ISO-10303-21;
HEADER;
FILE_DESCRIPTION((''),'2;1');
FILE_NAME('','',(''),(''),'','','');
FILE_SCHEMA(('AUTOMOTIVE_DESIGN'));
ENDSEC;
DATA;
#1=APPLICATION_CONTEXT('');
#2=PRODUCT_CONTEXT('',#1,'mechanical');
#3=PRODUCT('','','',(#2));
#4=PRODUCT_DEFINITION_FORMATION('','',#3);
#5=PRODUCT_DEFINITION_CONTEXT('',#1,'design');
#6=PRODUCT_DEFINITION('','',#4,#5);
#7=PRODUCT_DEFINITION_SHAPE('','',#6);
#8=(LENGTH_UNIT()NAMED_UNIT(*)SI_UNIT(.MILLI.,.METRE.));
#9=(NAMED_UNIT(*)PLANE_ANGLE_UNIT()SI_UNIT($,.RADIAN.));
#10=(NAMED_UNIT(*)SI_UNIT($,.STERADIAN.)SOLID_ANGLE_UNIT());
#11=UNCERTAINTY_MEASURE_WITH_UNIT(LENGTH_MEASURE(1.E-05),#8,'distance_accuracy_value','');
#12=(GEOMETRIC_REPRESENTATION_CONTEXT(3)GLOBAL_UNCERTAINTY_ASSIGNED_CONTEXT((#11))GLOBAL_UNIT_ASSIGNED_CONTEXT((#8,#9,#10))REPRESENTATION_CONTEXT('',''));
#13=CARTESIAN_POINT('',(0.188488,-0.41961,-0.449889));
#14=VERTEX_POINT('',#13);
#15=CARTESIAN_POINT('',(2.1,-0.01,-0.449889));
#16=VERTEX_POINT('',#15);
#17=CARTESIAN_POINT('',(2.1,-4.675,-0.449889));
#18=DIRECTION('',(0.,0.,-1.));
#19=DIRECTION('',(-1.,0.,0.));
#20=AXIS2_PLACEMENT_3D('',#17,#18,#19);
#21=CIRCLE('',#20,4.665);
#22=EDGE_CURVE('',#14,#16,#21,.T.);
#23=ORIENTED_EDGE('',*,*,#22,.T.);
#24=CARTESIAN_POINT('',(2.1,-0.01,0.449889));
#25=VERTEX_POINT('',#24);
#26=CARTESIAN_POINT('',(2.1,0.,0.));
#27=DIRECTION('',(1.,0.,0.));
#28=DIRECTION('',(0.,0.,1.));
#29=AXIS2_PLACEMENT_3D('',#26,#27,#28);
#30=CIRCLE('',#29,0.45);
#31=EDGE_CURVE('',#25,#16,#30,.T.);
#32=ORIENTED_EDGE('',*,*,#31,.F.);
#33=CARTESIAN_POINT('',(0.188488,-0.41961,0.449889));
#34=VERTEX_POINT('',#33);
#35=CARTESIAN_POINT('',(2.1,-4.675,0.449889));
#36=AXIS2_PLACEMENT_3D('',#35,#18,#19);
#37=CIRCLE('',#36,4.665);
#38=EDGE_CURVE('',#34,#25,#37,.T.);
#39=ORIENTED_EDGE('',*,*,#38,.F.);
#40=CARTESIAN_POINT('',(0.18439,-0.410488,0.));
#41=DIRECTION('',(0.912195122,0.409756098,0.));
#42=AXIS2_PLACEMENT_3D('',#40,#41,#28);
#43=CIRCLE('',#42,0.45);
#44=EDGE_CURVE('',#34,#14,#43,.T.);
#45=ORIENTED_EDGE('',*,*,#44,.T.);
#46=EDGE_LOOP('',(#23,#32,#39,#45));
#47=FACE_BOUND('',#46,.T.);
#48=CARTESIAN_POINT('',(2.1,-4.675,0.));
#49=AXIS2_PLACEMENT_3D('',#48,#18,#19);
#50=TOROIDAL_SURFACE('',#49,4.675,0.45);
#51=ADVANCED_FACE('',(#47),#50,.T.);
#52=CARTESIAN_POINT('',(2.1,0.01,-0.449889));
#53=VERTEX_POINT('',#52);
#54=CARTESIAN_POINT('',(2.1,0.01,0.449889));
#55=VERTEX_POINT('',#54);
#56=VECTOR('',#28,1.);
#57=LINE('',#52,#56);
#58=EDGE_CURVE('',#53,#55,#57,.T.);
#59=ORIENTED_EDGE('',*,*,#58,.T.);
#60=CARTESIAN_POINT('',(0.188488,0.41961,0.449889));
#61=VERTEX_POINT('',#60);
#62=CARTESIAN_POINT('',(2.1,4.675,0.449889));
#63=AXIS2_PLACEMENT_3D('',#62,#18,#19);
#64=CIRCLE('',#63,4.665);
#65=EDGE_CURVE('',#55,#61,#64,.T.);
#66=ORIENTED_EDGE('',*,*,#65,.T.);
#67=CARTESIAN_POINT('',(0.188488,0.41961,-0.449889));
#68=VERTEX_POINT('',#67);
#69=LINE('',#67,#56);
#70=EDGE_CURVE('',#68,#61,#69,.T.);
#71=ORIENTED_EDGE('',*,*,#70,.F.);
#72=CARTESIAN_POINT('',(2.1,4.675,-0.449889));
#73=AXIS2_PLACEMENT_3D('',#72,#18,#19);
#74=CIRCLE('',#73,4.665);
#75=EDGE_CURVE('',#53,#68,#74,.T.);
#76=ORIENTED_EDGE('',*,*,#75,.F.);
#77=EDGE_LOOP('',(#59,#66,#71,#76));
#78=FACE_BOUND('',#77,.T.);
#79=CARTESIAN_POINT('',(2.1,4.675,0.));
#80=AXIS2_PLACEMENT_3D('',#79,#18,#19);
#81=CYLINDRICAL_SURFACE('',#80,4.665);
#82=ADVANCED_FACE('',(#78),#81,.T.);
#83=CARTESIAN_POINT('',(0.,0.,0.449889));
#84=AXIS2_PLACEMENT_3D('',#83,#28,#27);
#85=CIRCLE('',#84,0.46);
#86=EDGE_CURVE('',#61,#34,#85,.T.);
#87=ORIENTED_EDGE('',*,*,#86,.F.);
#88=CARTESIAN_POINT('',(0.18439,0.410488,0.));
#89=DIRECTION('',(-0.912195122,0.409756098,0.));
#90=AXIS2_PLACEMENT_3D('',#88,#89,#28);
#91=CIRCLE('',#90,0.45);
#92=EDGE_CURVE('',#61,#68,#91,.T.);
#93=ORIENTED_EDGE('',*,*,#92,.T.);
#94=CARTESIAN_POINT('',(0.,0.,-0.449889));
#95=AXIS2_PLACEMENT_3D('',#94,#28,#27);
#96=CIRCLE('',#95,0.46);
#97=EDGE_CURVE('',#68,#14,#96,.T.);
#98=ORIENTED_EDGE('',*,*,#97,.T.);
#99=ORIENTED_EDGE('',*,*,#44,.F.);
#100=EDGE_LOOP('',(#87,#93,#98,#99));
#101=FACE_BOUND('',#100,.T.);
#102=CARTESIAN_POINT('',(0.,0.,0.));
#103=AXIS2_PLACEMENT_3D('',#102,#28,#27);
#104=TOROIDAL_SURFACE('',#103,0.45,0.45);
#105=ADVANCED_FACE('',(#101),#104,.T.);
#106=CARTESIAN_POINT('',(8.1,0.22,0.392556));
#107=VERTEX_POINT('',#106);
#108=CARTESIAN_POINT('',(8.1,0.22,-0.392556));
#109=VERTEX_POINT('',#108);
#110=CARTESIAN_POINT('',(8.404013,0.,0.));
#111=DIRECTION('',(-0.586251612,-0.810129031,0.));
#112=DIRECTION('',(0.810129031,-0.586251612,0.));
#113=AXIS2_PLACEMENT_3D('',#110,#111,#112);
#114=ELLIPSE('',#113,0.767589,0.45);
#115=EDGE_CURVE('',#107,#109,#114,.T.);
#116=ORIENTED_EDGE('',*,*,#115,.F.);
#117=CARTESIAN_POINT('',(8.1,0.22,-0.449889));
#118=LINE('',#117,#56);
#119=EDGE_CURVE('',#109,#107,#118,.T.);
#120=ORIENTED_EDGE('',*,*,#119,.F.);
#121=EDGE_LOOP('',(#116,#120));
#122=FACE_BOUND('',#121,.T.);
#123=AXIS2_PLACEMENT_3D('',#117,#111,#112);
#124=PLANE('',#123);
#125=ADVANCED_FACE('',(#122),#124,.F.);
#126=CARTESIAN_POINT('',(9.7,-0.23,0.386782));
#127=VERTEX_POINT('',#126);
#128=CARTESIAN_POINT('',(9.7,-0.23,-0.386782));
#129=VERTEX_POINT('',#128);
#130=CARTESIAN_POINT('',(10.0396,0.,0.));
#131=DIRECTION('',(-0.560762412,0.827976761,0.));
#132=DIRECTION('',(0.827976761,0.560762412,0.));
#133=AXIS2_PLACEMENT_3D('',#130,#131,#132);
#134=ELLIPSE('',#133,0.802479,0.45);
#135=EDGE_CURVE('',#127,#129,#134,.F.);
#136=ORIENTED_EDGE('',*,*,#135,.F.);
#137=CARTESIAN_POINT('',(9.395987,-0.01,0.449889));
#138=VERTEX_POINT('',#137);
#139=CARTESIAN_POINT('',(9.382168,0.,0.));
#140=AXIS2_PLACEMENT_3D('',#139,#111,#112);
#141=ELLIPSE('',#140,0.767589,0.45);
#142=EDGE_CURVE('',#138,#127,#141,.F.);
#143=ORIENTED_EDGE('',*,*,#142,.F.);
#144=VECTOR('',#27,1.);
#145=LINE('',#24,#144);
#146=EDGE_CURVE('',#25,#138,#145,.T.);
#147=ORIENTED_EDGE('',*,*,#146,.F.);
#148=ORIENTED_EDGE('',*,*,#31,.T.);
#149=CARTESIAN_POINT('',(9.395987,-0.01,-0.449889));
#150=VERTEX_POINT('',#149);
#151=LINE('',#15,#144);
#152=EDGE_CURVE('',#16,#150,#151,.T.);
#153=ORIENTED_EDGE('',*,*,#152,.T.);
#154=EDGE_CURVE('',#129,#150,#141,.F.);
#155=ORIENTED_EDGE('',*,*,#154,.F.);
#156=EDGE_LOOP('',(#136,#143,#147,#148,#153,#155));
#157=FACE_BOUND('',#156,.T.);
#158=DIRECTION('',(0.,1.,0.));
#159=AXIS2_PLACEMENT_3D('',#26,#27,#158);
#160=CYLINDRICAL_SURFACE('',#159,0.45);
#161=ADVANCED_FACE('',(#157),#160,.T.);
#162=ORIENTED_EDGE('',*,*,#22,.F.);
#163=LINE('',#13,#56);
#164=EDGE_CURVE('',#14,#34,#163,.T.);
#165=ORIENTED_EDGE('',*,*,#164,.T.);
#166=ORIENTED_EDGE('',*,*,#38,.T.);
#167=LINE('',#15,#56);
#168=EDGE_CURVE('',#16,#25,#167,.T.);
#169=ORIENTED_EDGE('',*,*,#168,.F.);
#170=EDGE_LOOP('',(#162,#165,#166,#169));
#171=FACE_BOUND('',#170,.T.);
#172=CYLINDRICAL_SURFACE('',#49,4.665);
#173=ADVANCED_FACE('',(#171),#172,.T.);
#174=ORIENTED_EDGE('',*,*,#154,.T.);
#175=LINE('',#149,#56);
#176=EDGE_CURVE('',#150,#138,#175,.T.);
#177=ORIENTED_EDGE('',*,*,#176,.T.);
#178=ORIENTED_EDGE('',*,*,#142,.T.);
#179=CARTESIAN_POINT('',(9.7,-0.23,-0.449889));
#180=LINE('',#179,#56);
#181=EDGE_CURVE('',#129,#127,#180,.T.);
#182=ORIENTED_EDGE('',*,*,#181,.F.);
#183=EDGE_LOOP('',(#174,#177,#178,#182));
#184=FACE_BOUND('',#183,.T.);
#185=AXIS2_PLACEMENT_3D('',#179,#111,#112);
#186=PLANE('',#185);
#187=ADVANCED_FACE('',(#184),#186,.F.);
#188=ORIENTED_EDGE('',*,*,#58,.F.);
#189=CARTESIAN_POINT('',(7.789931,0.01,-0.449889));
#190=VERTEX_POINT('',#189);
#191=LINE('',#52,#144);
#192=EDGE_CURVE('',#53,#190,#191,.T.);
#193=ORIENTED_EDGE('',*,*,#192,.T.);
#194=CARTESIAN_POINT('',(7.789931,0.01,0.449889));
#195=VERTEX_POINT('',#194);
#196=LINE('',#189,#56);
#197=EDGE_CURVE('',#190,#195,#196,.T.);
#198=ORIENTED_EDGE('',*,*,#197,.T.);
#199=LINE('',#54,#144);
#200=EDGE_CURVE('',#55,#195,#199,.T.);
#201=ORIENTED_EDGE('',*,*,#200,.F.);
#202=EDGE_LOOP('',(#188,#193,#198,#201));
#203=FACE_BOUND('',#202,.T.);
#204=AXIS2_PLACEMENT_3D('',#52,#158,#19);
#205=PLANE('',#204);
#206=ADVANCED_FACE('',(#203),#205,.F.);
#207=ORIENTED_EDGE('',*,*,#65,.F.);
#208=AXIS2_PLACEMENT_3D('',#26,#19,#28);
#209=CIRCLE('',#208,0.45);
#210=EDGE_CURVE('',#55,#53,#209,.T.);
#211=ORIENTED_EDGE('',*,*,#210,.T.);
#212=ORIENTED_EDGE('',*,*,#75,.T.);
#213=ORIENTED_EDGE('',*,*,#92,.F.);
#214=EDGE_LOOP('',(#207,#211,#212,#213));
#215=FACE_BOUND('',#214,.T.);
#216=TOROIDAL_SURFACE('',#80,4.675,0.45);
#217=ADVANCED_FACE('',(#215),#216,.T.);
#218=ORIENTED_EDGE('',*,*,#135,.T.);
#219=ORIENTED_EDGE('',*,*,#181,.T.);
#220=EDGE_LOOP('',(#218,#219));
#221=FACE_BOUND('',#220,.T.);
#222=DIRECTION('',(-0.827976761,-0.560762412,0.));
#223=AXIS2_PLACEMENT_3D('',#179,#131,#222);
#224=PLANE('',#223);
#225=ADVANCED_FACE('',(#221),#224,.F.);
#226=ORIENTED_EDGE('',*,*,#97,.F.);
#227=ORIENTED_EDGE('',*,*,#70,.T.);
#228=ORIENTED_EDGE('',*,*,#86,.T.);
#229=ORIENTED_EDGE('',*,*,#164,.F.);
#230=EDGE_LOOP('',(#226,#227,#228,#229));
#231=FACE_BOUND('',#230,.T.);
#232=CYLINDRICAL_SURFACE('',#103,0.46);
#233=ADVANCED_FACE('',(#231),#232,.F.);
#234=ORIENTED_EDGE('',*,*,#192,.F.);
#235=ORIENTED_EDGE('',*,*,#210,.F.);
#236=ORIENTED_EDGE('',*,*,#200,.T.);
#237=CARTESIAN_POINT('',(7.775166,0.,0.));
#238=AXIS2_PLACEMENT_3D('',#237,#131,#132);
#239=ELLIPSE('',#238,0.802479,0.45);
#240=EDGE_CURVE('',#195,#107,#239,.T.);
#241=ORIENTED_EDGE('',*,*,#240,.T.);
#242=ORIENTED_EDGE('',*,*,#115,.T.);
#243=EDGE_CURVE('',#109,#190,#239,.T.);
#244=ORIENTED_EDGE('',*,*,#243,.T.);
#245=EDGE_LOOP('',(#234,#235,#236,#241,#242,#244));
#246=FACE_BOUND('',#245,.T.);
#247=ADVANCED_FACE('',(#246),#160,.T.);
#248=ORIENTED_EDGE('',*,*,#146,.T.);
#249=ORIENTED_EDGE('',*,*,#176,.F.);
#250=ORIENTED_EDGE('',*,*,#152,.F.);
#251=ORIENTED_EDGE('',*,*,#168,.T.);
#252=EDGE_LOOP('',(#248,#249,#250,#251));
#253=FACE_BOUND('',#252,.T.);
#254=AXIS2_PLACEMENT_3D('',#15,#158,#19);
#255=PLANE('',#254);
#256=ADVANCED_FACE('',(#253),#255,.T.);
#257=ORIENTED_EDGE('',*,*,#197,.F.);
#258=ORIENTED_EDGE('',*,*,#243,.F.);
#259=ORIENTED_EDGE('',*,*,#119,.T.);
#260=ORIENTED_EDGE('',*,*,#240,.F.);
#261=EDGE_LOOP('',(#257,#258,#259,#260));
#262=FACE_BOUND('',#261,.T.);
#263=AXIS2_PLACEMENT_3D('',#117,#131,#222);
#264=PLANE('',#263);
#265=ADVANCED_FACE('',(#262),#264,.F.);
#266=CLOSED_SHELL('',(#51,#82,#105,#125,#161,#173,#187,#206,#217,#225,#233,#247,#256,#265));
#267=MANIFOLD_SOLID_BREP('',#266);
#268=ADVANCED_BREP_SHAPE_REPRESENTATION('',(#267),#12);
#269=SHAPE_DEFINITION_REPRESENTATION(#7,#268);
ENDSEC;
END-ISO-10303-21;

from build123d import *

# Parameters (mm, degrees)
CUT_EXTRUDE_1_DEPTH      = 10.752045953
CUT_EXTRUDE_1_DEPTH_BACK = 10.752045953


with BuildPart() as part:
    # 扫描2: sweep along a path in Sketch 200
    with BuildLine(Plane.XY) as sweep_2_path:
        Line((8.1, 0.45), (2.1, 0.45))
        ThreePointArc((2.1, 0.45), (1.2147396, 0.543784801), (0.368780488, 0.82097561))
        ThreePointArc((0.368780488, 0.82097561), (-0.9, 0), (0.368780488, -0.82097561))
        ThreePointArc((0.368780488, -0.82097561), (1.2147396, -0.543784801), (2.1, -0.45))
        Line((2.1, -0.45), (9.7, -0.45))
    # 草图2 → 扫描2 (sweep)
    with BuildSketch(Plane(origin=(8.1, 0.45, 0), x_dir=(0, 0, 1), z_dir=(-1, 0, 0))):
        with BuildLine():
            Line((-0.449888875, -0.44), (0.449888875, -0.44))
            ThreePointArc((0.449888875, -0.44), (0, 0), (-0.449888875, -0.44))
        make_face()
    sweep(path=sweep_2_path.line)

    # 草图3 → 切除-拉伸1 (cut, two sides: drawn at the far end of the back side and taken through both)
    with BuildSketch(Plane.XY.offset(-CUT_EXTRUDE_1_DEPTH_BACK)):
        Polygon((8.1, 0.22), (7.782167736, 0.45), (9.71, 0.45), (9.71, -0.45), (9.375165661, -0.45), (9.7, -0.23), (9.382167736, 0), (7.775165661, 0), align=None)
    extrude(amount=CUT_EXTRUDE_1_DEPTH + CUT_EXTRUDE_1_DEPTH_BACK, mode=Mode.SUBTRACT)


solid = part.part
